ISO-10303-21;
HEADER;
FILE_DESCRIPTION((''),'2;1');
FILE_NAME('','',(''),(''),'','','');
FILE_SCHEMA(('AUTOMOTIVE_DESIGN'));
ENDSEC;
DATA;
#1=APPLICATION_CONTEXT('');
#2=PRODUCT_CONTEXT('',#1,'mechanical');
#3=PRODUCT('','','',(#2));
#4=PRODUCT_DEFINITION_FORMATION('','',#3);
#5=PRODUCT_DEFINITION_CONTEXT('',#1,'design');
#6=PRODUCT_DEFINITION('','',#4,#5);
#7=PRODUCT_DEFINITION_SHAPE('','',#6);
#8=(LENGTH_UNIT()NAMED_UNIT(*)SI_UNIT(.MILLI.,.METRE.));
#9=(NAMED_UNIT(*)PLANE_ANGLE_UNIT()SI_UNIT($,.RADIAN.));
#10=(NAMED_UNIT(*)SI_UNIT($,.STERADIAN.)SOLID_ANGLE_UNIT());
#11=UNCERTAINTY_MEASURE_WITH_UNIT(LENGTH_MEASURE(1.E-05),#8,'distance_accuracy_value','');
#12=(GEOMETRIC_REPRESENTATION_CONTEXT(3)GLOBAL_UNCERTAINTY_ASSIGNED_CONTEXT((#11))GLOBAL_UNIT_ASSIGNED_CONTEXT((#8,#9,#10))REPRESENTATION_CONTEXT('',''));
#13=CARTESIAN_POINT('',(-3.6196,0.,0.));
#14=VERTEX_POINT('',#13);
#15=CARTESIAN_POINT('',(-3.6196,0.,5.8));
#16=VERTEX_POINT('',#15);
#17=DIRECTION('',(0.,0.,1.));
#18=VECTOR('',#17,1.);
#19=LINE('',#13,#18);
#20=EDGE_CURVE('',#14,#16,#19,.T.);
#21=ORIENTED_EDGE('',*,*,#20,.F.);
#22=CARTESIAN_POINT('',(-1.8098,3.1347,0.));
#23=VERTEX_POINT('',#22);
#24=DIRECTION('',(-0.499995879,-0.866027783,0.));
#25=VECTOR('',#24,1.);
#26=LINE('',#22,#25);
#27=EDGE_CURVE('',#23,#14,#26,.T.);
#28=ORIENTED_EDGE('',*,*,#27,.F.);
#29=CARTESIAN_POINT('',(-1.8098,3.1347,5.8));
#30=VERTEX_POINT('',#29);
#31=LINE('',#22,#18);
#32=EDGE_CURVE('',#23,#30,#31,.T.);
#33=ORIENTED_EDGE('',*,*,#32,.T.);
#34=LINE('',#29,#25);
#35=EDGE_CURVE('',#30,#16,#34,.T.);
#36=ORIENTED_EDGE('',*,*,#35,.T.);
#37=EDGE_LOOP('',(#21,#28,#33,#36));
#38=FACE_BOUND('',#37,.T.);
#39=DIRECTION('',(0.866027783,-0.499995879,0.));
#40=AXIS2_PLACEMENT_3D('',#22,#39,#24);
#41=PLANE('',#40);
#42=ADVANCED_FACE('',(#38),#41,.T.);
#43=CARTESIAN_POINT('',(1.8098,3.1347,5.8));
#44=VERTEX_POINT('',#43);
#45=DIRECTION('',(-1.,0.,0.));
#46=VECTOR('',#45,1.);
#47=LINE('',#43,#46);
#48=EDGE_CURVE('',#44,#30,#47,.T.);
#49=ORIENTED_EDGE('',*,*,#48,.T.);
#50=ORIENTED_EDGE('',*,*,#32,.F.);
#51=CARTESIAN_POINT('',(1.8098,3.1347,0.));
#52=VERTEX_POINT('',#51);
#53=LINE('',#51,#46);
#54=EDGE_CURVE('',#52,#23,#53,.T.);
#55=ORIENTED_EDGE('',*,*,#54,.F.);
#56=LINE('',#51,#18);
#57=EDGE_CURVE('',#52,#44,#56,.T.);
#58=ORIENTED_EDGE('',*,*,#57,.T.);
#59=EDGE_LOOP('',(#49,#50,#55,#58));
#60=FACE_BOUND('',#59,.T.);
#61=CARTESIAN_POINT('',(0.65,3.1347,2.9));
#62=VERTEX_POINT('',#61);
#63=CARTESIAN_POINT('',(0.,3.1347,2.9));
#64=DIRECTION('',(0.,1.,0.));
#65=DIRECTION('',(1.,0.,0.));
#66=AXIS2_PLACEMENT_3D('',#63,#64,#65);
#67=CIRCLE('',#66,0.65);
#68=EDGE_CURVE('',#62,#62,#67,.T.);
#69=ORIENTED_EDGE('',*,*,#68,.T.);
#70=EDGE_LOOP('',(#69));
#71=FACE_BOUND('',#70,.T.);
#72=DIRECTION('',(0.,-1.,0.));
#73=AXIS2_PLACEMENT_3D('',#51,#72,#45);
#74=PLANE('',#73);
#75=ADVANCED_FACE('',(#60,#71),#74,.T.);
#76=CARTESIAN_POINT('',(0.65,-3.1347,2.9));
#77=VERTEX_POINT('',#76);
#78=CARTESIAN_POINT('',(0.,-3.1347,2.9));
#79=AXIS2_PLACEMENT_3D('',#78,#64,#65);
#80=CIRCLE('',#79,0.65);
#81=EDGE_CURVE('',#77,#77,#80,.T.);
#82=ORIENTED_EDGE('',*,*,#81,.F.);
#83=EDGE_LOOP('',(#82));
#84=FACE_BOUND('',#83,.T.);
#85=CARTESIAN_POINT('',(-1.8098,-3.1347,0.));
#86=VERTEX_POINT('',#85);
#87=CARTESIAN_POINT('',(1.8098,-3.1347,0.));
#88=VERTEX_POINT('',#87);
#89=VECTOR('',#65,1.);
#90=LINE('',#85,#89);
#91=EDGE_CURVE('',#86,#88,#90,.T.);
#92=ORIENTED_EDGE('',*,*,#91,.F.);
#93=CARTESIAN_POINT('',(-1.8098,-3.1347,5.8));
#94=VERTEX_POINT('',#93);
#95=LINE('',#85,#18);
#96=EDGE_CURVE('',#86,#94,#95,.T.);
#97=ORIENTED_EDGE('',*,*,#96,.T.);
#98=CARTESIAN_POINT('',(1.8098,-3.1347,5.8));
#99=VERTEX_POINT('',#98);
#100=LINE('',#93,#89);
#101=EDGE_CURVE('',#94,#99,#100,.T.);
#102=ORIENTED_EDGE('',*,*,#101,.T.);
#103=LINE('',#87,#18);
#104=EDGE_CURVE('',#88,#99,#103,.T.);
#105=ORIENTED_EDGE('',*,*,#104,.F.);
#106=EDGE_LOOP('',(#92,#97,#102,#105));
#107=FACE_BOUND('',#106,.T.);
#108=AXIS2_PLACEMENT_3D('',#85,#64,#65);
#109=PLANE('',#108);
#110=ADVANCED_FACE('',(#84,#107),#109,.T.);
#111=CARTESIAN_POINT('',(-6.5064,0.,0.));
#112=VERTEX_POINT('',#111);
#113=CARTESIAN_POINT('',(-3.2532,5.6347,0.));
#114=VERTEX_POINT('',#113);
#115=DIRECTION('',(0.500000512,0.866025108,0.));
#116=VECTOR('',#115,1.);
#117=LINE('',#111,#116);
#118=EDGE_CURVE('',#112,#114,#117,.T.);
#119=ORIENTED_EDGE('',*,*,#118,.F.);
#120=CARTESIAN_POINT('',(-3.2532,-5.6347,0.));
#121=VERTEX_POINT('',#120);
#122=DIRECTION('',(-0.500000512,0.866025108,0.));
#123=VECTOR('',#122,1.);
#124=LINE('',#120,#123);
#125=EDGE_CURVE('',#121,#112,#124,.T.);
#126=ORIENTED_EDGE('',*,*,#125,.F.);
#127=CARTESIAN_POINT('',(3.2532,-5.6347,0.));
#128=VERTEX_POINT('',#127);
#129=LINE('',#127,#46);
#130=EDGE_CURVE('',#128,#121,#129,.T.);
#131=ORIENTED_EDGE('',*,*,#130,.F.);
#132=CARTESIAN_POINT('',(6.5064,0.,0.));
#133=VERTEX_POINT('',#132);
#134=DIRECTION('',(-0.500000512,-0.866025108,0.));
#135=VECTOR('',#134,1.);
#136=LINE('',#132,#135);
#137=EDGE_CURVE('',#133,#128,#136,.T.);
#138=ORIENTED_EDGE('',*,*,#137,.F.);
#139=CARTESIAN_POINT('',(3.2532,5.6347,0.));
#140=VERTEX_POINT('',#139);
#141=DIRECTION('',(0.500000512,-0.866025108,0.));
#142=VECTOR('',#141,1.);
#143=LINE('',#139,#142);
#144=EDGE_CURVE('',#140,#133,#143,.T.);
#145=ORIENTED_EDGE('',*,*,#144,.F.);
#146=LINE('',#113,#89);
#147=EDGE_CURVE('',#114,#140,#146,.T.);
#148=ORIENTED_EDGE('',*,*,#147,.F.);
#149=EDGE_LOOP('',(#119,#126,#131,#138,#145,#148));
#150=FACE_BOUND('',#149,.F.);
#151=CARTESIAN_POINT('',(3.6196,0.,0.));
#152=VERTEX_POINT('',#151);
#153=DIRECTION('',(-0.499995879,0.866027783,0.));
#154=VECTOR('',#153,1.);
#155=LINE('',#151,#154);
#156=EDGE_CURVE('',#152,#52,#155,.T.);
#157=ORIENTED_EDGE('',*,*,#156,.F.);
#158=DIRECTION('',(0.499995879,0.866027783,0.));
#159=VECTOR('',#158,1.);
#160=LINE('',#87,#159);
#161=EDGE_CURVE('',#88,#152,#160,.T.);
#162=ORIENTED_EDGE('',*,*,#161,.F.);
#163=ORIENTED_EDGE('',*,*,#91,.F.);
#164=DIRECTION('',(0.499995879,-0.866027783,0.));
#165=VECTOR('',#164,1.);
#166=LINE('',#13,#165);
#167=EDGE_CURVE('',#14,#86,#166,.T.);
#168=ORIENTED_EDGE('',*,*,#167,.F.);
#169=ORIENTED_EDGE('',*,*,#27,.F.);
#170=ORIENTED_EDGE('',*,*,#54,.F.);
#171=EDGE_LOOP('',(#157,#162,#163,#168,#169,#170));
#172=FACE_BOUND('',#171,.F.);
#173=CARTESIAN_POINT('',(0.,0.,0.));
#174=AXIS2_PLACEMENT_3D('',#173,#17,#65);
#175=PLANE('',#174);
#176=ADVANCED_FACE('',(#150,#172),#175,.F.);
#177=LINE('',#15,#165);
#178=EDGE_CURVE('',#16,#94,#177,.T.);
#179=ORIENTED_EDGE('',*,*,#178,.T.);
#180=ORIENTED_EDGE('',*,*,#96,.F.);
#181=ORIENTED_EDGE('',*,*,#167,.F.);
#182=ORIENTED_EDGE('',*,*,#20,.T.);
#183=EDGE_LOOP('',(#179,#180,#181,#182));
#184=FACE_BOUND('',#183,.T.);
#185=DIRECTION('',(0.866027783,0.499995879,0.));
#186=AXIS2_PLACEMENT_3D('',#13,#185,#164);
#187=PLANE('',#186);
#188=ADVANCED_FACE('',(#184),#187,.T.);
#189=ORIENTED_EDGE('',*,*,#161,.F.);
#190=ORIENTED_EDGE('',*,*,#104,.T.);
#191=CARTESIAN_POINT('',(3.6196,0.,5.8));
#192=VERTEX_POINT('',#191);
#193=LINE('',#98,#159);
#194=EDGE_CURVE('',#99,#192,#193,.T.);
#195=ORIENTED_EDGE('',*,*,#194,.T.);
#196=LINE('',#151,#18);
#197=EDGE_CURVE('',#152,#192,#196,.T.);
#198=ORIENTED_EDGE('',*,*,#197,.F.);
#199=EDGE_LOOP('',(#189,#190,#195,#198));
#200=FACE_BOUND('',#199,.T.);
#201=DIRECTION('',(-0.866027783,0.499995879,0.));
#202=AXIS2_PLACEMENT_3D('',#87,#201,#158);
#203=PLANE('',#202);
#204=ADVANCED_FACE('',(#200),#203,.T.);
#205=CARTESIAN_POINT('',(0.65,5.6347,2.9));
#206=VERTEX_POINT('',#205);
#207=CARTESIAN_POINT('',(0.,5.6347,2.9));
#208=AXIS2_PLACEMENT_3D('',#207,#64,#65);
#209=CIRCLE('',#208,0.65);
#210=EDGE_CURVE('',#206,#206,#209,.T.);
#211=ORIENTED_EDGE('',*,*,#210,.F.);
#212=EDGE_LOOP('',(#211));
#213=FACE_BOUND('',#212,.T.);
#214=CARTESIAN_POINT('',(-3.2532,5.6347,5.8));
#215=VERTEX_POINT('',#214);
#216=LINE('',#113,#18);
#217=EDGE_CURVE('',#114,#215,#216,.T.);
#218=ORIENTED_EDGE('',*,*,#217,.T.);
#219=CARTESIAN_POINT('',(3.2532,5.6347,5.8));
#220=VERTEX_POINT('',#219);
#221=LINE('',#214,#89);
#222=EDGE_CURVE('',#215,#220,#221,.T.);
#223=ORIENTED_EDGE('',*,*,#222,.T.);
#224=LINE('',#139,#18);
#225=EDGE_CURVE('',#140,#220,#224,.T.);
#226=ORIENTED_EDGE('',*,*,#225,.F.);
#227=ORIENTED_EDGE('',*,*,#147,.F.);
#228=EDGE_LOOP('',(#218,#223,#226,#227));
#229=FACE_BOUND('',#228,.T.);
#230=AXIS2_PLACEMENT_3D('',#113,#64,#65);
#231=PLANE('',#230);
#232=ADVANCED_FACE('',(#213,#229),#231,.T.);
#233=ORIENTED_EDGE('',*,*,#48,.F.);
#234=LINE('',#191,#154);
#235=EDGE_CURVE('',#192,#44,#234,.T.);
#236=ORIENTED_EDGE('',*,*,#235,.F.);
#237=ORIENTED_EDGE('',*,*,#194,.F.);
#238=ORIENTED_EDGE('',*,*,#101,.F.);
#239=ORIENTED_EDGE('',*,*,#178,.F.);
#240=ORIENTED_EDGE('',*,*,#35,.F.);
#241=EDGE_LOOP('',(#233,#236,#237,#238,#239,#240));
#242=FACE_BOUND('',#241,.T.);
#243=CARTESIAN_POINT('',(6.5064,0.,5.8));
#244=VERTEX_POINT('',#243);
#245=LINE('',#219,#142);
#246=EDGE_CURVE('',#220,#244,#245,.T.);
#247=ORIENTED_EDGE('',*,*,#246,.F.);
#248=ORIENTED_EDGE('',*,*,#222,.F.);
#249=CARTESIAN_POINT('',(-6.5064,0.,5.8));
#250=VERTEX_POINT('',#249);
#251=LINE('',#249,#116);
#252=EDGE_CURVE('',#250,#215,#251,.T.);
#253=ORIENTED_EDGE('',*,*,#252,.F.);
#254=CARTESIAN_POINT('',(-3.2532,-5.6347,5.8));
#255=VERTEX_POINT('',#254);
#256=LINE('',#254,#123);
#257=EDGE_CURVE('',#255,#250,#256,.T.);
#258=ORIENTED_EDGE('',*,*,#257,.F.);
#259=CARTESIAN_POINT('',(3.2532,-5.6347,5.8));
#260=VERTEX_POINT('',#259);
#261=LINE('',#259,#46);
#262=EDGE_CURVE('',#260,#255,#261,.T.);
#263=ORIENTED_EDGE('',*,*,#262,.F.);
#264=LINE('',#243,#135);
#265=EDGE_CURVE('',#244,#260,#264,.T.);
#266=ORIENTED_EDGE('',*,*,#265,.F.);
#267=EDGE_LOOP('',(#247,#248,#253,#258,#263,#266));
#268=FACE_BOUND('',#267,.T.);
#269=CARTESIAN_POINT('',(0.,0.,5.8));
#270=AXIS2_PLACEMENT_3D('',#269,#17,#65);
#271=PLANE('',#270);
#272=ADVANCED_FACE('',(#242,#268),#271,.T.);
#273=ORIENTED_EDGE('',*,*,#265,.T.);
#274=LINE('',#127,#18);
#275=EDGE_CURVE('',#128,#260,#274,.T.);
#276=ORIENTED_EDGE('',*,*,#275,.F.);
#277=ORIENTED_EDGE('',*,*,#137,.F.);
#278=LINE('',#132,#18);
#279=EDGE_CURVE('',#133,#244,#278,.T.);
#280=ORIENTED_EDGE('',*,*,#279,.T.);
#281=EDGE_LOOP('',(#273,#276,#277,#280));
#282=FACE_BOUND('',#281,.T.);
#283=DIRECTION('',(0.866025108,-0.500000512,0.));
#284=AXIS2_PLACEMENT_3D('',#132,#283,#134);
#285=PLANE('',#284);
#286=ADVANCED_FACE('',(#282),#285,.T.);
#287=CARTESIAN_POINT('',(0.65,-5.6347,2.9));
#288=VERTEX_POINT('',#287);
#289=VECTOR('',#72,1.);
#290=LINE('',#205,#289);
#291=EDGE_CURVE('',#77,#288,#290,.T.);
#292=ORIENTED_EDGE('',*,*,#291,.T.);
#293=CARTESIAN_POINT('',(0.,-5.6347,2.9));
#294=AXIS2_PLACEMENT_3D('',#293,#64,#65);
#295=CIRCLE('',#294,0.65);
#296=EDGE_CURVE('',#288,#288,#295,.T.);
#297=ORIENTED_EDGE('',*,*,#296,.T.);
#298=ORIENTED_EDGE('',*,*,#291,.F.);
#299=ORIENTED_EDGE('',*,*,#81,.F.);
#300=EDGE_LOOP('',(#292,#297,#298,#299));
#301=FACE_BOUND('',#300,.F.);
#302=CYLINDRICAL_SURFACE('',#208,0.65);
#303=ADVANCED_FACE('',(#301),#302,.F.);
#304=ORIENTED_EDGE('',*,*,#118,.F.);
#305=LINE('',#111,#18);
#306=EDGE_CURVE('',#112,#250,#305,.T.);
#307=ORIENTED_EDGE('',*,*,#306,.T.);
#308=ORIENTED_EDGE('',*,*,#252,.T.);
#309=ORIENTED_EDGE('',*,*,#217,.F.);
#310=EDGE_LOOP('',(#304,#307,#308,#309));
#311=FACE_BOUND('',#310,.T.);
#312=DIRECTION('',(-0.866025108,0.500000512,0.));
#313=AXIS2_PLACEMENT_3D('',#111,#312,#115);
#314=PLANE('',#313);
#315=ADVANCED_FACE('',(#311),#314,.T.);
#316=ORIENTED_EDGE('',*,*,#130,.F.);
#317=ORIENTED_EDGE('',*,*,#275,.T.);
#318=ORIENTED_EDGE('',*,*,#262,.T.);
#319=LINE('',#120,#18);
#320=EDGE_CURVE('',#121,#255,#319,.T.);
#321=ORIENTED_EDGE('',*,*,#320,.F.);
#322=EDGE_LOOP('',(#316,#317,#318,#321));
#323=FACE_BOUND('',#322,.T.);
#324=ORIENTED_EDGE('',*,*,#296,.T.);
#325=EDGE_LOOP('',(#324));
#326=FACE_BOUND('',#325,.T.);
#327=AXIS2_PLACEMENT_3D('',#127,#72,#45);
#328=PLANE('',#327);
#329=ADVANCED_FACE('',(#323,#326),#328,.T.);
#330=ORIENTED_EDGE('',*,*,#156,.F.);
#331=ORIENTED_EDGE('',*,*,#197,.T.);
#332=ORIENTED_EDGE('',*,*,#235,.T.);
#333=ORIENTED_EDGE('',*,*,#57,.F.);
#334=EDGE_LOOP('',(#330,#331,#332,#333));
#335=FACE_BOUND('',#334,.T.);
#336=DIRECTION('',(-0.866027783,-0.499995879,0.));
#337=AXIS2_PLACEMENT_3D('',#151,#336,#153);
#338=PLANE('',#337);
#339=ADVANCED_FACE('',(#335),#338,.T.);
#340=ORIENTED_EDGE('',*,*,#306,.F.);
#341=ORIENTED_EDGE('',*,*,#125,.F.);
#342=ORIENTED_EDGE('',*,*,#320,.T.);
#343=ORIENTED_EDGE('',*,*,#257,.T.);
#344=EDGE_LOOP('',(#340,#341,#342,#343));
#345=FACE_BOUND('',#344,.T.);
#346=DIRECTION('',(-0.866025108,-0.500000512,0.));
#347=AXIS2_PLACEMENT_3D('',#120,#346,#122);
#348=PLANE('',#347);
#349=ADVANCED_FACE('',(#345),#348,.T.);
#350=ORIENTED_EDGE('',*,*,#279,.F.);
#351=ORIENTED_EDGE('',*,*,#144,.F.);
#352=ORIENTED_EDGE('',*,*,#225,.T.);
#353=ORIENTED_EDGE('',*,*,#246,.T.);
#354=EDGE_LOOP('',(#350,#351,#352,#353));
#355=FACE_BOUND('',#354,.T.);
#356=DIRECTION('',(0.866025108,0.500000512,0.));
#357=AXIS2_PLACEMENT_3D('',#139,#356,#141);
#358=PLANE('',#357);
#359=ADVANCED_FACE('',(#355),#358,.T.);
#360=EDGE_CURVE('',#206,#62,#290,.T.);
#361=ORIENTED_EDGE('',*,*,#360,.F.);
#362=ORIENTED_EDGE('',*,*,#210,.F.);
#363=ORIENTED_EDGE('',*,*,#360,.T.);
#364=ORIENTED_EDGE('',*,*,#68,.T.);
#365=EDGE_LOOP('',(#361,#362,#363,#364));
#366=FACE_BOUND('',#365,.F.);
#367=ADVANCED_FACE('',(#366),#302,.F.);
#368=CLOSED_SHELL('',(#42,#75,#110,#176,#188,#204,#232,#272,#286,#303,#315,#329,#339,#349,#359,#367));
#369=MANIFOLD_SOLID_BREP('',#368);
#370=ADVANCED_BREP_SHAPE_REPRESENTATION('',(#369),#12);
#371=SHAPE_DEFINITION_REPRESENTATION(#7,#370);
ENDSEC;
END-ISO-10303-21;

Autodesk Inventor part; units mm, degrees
ref_plane "YZ Plane" through (0, 0, 0) normal (1, 0, 0) x (0, 1, 0)
ref_plane "XZ Plane" through (0, 0, 0) normal (0, 1, 0) x (-1, 0, 0)
ref_plane "XY Plane" through (0, 0, 0) normal (0, 0, 1) x (1, 0, 0)
sketch "Sketch5" plane through (0, 0, 0) normal (0, 0, 1) x (1, 0, 0)
  line L0 (0, 0) -> (3.1, 0) construction
  circle A0 centre (0, 0) radius 3.1 construction
  line L1 (0, 0) -> (1.55, 2.6847) construction
  line L2 (0, 0) -> (-1.55, 2.6847) construction
  line L3 (0, 0) -> (-3.1, 0) construction
  line L4 (0, 0) -> (-1.55, -2.6847) construction
  line L5 (0, 0) -> (1.55, -2.6847) construction
  line L6 (-1.55, 2.6847) -> (1.55, 2.6847) construction
  line L7 (1.55, 2.6847) -> (3.1, 0) construction
  line L8 (3.1, 0) -> (1.55, -2.6847) construction
  line L9 (-1.55, 2.6847) -> (-3.1, 0) construction
  line L10 (-3.1, 0) -> (-1.55, -2.6847) construction
  line L11 (-1.55, -2.6847) -> (1.55, -2.6847) construction
  line L12 (3.6196, 0) -> (1.8098, 3.1347)
  line L13 (1.8098, 3.1347) -> (-1.8098, 3.1347)
  line L14 (-1.8098, 3.1347) -> (-3.6196, 0)
  line L15 (-3.6196, 0) -> (-1.8098, -3.1347)
  line L16 (-1.8098, -3.1347) -> (1.8098, -3.1347)
  line L17 (1.8098, -3.1347) -> (3.6196, 0)
  line L18 (3.2532, 5.6347) -> (6.5064, 0)
  line L19 (6.5064, 0) -> (3.2532, -5.6347)
  line L20 (3.2532, -5.6347) -> (-3.2532, -5.6347)
  line L21 (-3.2532, -5.6347) -> (-6.5064, 0)
  line L22 (-6.5064, 0) -> (-3.2532, 5.6347)
  line L23 (-3.2532, 5.6347) -> (3.2532, 5.6347)
  dimension "d9" = 3.1
  dimension "d12" = 360
  dimension "d14" = 0.45
  dimension "d15" = 2.5
extrude "Extrusion4" add sketch "Sketch5" along normal blind 5.8
sketch "Sketch6" plane through (-3.2532, 5.6347, 0) normal (0, 1, 0) x (1, 0, 0)
  line L0 (0, -5.8) -> (6.5064, -5.8) projected
  line L1 (3.2532, -5.8) -> (3.2532, 0) construction
  line L2 (0, 0) -> (0, -5.8) projected
  line L3 (0, -2.9) -> (6.5064, -2.9) construction
  line L4 (6.5064, 0) -> (6.5064, -5.8) projected
  circle A0 centre (3.2532, -2.9) radius 0.65
  dimension "d18" = 1.3
extrude "Extrusion5" cut sketch "Sketch6" against normal blind 15
properties part number "Hombro_Ejes"
